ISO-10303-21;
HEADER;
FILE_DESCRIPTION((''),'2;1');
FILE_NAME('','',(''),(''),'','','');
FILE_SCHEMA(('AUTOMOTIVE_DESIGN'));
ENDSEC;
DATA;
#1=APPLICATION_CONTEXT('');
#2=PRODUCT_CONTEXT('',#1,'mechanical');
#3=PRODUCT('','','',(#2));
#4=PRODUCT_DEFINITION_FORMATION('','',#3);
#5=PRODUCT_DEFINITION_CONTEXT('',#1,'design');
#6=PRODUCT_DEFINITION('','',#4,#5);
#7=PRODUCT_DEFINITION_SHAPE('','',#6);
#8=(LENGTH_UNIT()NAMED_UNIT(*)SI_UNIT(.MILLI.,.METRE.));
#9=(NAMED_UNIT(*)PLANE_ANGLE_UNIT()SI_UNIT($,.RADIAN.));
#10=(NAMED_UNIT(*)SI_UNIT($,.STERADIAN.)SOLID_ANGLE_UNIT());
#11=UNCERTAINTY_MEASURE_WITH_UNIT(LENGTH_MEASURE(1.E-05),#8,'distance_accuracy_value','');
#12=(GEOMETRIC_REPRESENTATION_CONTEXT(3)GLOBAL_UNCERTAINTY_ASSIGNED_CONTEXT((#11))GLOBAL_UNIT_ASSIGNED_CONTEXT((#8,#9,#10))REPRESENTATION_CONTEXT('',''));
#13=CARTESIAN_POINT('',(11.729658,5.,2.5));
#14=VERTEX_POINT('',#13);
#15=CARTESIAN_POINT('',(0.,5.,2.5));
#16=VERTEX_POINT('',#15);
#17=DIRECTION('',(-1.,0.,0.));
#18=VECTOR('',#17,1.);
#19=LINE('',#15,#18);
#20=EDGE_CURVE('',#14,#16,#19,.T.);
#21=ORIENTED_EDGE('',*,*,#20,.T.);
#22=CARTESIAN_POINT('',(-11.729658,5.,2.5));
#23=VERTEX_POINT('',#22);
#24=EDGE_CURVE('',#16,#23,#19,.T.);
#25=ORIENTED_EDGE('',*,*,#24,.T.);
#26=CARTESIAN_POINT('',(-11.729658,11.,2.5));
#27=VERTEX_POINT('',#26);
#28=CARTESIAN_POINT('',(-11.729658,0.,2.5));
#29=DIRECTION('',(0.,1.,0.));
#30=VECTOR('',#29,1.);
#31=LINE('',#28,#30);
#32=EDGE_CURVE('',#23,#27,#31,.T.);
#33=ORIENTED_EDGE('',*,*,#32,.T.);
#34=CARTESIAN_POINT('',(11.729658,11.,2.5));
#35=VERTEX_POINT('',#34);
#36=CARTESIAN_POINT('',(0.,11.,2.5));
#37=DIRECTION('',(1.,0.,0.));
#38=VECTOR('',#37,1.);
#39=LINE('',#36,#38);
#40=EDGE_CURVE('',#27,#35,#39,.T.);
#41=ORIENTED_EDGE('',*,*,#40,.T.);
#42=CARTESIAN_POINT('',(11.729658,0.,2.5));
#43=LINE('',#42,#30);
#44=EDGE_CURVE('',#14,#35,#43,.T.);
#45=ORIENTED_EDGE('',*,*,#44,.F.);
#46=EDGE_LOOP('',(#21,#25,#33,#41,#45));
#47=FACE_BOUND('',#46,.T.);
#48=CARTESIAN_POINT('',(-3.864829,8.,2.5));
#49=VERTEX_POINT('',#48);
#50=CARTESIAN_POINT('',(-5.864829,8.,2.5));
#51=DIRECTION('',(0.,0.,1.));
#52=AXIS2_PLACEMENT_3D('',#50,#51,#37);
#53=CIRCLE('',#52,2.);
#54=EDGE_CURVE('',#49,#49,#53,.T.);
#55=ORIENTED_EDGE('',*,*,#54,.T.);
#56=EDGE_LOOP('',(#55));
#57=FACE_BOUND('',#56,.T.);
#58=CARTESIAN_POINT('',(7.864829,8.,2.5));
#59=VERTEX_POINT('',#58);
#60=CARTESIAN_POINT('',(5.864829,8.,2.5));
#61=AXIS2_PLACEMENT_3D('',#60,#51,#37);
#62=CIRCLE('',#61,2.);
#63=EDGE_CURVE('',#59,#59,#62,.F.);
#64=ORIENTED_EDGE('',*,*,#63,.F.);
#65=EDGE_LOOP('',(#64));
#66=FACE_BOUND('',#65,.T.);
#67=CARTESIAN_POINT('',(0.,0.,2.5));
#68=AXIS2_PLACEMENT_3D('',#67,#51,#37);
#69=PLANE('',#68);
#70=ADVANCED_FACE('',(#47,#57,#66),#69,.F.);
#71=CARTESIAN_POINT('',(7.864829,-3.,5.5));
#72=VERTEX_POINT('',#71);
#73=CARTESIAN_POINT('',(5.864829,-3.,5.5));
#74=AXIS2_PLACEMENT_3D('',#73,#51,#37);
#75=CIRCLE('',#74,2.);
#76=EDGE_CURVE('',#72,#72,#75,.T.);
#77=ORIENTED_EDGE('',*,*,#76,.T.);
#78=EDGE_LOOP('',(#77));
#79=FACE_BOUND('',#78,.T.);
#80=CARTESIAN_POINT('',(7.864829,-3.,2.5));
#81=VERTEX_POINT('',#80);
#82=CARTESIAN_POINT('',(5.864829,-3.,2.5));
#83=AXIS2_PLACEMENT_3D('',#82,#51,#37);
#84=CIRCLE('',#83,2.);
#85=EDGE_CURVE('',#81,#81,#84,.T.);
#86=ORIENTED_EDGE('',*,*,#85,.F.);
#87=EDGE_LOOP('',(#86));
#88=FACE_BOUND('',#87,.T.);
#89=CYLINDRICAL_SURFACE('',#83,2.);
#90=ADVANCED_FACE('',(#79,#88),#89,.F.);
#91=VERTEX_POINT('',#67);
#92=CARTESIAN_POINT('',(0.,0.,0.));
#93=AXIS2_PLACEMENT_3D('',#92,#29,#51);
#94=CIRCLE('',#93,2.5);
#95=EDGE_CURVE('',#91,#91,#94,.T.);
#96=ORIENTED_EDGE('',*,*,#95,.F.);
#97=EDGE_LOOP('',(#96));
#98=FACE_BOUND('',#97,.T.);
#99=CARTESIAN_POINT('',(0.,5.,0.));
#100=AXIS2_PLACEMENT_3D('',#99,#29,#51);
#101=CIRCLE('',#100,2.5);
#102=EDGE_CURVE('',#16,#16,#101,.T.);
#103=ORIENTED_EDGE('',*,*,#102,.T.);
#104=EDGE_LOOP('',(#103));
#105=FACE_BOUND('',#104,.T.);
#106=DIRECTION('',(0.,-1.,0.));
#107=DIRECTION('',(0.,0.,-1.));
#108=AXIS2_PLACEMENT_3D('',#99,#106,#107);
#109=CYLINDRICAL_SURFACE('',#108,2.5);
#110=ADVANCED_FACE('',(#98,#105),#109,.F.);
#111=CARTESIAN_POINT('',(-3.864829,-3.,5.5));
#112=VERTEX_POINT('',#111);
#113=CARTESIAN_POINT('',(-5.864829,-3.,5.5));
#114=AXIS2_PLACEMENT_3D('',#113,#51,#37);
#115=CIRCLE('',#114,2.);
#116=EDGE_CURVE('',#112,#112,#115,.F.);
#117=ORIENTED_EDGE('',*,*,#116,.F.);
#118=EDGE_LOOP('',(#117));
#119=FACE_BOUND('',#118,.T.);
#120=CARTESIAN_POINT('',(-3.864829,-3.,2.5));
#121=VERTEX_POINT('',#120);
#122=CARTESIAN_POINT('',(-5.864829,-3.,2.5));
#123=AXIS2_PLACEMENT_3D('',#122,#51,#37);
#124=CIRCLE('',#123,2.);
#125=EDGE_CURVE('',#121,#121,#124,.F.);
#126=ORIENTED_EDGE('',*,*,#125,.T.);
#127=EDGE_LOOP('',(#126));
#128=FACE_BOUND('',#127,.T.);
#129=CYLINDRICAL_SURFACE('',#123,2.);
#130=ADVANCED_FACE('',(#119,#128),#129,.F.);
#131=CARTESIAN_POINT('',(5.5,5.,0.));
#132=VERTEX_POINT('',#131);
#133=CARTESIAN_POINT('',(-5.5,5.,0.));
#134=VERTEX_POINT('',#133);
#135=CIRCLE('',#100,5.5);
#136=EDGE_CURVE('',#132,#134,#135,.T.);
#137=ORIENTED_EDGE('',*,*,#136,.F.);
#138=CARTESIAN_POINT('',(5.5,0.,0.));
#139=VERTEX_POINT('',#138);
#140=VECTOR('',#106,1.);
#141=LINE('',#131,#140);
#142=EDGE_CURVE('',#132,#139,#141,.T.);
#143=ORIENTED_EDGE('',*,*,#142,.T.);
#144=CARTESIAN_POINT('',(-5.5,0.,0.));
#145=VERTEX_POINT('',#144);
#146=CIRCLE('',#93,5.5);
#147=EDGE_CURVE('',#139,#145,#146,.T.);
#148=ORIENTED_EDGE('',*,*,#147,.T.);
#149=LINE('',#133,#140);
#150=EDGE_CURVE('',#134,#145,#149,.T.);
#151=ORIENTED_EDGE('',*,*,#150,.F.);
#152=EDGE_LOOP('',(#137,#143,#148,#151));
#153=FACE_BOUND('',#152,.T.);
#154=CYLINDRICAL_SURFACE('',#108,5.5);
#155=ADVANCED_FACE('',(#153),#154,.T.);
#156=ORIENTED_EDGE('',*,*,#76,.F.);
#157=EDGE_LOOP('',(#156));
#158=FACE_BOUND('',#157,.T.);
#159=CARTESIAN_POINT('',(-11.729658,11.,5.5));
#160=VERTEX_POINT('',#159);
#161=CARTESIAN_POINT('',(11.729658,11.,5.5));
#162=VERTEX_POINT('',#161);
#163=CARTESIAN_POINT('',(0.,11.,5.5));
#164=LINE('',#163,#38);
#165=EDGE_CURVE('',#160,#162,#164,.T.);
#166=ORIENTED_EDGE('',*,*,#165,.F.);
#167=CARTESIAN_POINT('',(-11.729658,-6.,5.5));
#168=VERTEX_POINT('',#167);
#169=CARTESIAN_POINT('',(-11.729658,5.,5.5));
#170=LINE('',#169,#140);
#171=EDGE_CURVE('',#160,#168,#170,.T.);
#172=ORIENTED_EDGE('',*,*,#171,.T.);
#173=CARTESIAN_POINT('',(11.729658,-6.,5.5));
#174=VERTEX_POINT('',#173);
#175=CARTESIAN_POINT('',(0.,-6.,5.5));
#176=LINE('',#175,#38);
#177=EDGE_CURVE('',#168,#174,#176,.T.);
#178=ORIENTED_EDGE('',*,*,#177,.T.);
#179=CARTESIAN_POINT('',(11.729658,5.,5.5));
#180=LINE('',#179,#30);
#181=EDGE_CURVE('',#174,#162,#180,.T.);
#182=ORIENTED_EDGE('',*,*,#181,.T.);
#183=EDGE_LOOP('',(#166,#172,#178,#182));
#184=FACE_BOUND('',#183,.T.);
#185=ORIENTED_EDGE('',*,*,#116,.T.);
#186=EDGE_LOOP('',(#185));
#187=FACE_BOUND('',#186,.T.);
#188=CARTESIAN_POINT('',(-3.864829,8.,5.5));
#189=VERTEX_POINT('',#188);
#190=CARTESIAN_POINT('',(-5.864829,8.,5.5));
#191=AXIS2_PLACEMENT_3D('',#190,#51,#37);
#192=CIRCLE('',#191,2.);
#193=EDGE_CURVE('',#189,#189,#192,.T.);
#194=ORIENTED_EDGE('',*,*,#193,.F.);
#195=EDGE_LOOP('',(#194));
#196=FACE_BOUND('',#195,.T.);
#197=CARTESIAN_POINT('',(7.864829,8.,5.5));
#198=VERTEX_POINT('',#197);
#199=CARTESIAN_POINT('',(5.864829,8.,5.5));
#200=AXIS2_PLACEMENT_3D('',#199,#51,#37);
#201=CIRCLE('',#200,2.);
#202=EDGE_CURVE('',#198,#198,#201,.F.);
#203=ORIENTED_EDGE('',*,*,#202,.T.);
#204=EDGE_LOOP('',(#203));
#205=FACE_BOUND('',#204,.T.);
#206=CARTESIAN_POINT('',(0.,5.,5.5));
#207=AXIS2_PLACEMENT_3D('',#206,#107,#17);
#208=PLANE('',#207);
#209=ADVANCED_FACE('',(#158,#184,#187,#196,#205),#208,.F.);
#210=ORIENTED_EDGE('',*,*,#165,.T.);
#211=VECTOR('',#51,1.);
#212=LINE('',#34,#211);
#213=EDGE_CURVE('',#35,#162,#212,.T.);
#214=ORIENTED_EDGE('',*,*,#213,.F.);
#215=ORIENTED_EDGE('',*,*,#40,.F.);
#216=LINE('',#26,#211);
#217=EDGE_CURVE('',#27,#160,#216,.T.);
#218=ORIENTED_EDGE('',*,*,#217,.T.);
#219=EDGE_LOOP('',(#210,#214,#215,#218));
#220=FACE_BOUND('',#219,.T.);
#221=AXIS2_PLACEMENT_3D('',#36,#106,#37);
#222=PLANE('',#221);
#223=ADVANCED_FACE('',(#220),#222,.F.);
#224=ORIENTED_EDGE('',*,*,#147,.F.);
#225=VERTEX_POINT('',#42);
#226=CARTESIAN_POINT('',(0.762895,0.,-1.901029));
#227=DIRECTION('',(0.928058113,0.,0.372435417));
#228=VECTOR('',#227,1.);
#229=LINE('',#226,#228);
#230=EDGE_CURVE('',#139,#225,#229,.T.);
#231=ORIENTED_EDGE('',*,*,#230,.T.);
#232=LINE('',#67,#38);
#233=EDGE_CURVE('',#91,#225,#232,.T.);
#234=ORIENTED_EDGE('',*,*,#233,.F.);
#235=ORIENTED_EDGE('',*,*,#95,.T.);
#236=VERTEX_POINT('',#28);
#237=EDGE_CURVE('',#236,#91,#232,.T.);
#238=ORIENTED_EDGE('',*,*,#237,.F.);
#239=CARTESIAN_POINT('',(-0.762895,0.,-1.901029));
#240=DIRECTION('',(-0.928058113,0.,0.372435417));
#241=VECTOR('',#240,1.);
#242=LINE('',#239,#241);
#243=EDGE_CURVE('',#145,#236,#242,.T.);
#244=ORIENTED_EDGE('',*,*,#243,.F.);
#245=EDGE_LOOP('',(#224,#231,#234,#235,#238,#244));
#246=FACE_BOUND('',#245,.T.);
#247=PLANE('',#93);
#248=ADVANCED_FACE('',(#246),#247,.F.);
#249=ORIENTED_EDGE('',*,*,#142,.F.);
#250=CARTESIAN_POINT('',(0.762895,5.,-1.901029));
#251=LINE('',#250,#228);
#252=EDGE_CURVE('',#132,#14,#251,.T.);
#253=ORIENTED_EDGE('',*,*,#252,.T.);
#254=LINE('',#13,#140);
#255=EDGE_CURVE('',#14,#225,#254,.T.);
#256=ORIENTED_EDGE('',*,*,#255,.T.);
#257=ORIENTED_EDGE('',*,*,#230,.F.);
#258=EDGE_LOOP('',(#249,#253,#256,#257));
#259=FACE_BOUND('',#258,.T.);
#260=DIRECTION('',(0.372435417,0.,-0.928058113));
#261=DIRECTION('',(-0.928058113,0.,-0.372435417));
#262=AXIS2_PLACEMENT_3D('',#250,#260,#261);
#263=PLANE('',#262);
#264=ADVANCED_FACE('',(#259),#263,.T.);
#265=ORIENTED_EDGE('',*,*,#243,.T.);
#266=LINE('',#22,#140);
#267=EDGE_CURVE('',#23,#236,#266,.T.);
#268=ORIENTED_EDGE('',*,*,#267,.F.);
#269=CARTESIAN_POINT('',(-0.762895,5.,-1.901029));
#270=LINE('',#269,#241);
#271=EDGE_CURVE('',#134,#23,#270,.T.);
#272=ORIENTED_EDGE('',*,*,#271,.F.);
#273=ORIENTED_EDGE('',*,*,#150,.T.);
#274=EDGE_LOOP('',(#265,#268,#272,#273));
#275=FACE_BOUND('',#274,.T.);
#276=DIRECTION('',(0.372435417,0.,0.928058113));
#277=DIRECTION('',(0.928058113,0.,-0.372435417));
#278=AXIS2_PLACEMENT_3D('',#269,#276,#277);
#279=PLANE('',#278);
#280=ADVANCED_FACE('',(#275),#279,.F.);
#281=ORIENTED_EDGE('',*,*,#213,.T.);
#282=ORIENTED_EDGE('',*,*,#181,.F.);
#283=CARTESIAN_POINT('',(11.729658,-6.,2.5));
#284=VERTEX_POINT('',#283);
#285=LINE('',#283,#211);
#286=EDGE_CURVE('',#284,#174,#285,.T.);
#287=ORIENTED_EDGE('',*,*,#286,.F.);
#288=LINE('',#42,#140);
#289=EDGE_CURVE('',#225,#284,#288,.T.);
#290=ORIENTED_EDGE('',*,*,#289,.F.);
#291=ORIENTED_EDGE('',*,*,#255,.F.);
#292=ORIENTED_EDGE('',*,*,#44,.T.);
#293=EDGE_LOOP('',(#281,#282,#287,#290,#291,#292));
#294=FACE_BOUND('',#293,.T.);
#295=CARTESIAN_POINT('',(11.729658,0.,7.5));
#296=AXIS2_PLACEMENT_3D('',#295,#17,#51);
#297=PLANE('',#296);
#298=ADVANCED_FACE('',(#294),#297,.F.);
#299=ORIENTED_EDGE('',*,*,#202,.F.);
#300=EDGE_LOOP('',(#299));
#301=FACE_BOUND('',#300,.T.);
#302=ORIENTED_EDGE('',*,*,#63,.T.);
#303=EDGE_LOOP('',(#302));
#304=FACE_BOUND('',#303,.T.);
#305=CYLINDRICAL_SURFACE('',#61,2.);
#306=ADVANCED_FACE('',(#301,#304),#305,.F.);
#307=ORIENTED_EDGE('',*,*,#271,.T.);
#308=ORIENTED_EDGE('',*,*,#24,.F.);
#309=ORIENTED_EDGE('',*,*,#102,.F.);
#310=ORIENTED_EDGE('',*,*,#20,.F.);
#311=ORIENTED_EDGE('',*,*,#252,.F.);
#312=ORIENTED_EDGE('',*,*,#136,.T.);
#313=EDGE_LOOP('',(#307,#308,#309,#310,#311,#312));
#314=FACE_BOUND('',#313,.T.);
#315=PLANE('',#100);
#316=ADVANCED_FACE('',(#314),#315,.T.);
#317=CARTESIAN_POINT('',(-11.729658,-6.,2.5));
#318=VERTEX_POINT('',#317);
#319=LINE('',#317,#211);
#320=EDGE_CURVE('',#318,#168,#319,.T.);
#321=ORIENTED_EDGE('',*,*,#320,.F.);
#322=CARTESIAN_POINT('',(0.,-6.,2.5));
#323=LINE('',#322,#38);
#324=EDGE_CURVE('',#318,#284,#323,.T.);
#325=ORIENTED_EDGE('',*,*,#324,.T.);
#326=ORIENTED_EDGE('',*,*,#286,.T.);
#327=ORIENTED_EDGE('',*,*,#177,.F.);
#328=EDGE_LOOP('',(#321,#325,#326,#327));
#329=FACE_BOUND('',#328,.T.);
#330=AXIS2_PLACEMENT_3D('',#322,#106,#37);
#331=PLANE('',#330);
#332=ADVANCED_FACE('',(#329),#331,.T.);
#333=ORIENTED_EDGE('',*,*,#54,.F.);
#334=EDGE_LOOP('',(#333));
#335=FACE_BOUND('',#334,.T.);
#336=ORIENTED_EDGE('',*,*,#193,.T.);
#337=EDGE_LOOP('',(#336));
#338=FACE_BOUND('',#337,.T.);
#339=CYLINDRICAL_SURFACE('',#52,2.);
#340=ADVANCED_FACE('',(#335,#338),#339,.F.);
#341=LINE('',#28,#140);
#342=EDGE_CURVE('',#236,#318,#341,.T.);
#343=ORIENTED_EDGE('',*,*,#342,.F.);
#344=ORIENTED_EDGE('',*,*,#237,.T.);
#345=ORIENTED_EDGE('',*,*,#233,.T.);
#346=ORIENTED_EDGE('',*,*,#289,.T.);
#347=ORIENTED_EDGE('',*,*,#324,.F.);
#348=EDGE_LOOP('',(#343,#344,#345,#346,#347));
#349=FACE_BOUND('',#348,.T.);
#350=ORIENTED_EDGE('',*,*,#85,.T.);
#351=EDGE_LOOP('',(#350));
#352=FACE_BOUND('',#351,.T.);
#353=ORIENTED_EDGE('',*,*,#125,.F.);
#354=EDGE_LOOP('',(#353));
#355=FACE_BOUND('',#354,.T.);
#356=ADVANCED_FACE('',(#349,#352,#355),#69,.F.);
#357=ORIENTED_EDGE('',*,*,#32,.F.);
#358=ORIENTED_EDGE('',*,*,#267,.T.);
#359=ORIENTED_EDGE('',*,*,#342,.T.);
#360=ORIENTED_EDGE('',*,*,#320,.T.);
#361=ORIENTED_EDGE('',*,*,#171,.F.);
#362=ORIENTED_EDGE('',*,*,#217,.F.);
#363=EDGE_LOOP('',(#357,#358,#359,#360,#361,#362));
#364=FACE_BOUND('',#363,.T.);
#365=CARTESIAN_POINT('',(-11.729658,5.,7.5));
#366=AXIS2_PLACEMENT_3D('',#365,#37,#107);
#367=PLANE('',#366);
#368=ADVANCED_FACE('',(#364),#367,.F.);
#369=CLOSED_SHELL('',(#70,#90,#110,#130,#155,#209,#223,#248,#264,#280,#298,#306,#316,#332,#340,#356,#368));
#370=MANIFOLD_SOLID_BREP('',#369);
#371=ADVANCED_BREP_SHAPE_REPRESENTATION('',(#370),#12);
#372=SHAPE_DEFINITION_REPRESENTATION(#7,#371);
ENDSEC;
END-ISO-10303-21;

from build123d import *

# Parameters (mm, degrees)
BOSS_EXTRUDE1_DEPTH = 5
SKETCH2_R           = 2
CUT_EXTRUDE1_DEPTH  = 5
SKETCH5_W           = 10
SKETCH5_H           = 5
CUT_EXTRUDE2_DEPTH  = 5
SKETCH6_R           = 2
BOSS_EXTRUDE4_DEPTH = 3


with BuildPart() as part:
    # Sketch1 → Boss-Extrude1 (new body)
    # profile 1 of 9: a face of its own
    with BuildSketch(Plane(origin=(0, 0, 0), x_dir=(1, 0, 0), z_dir=(0, 1, 0))):
        with BuildLine():
            ThreePointArc((4.898979486, -2.5), (5.347634392, -1.285615189), (5.5, 0))
            ThreePointArc((5.5, 0), (0, 5.5), (-5.5, 0))
            ThreePointArc((-5.5, 0), (-5.347634392, -1.285615189), (-4.898979486, -2.5))
            Line((-4.898979486, -2.5), (0, -2.5))
            Line((0, -2.5), (4.898979486, -2.5))
        make_face()
        with BuildLine():
            ThreePointArc((2.5, 0), (1.767766953, -1.767766953), (0, -2.5))
            ThreePointArc((0, -2.5), (-1.767766953, 1.767766953), (2.5, 0))
        make_face(mode=Mode.SUBTRACT)
    # profile 2 of 9: a face of its own
    with BuildSketch(Plane(origin=(0, 0, 0), x_dir=(1, 0, 0), z_dir=(0, 1, 0))):
        with BuildLine():
            ThreePointArc((0, -5.5), (2.872281323, -4.69041576), (4.898979486, -2.5))
            Line((4.898979486, -2.5), (0, -2.5))
            Line((0, -2.5), (0, -5.5))
        make_face()
    # profile 3 of 9: a face of its own
    with BuildSketch(Plane(origin=(0, 0, 0), x_dir=(1, 0, 0), z_dir=(0, 1, 0))):
        with BuildLine():
            Line((0, -2.5), (-4.898979486, -2.5))
            ThreePointArc((-4.898979486, -2.5), (-2.872281323, -4.69041576), (0, -5.5))
            Line((0, -5.5), (0, -2.5))
        make_face()
    # profile 4 of 9: a face of its own
    with BuildSketch(Plane(origin=(0, 0, 0), x_dir=(1, 0, 0), z_dir=(0, 1, 0))):
        with BuildLine():
            Line((25.742031851, -2.5), (11.729658022, -2.5))
            Line((11.729658022, -2.5), (4.898979486, -2.5))
            ThreePointArc((4.898979486, -2.5), (2.872281323, -4.69041576), (0, -5.5))
            Line((0, -5.5), (25.742031851, -5.5))
            Line((25.742031851, -5.5), (25.742031851, -2.5))
        make_face()
    # profile 5 of 9: a face of its own
    with BuildSketch(Plane(origin=(0, 0, 0), x_dir=(1, 0, 0), z_dir=(0, 1, 0))):
        with BuildLine():
            Line((11.729658022, -2.5), (5.5, 0))
            ThreePointArc((5.5, 0), (5.347634392, -1.285615189), (4.898979486, -2.5))
            Line((4.898979486, -2.5), (11.729658022, -2.5))
        make_face()
    # profile 6 of 9: a face of its own
    with BuildSketch(Plane(origin=(0, 0, 0), x_dir=(1, 0, 0), z_dir=(0, 1, 0))):
        with BuildLine():
            ThreePointArc((0, -5.5), (2.872281323, -4.69041576), (4.898979486, -2.5))
            Line((4.898979486, -2.5), (0, -2.5))
            Line((0, -2.5), (0, -5.5))
        make_face()
    # profile 7 of 9: a face of its own
    with BuildSketch(Plane(origin=(0, 0, 0), x_dir=(1, 0, 0), z_dir=(0, 1, 0))):
        with BuildLine():
            Line((0, -2.5), (-4.898979486, -2.5))
            ThreePointArc((-4.898979486, -2.5), (-2.872281323, -4.69041576), (0, -5.5))
            Line((0, -5.5), (0, -2.5))
        make_face()
    # profile 8 of 9: a face of its own
    with BuildSketch(Plane(origin=(0, 0, 0), x_dir=(1, 0, 0), z_dir=(0, 1, 0))):
        with BuildLine():
            ThreePointArc((-4.898979486, -2.5), (-5.347634392, -1.285615189), (-5.5, 0))
            Line((-5.5, 0), (-11.729658022, -2.5))
            Line((-11.729658022, -2.5), (-4.898979486, -2.5))
        make_face()
    # profile 9 of 9: a face of its own
    with BuildSketch(Plane(origin=(0, 0, 0), x_dir=(1, 0, 0), z_dir=(0, 1, 0))):
        with BuildLine():
            Line((-4.898979486, -2.5), (-11.729658022, -2.5))
            Line((-11.729658022, -2.5), (-25.742031851, -2.5))
            Line((-25.742031851, -2.5), (-25.742031851, -5.5))
            Line((-25.742031851, -5.5), (0, -5.5))
            ThreePointArc((0, -5.5), (-2.872281323, -4.69041576), (-4.898979486, -2.5))
        make_face()
    extrude(amount=BOSS_EXTRUDE1_DEPTH)

    # Sketch2 → Cut-Extrude1 (cut)
    with BuildSketch(Plane(origin=(0, 0, 2.5), x_dir=(-1, 0, 0), z_dir=(0, 0, -1))):
        Polygon((-25.742031851, 0), (-21.729658022, 0), (-21.729658022, 2.5), (-21.729658022, 5), (-25.742031851, 5), align=None)
        Polygon((21.729658022, 2.5), (21.729658022, 0), (25.742031851, 0), (25.742031851, 5), (21.729658022, 5), align=None)
        with Locations((16.729658022, 2.5)):
            Circle(SKETCH2_R)
        with Locations((-16.729658022, 2.5)):
            Circle(SKETCH2_R)
    extrude(amount=-CUT_EXTRUDE1_DEPTH, mode=Mode.SUBTRACT)

    # Sketch5 → Cut-Extrude2 (cut)
    with BuildSketch(Plane(origin=(0, 0, 2.5), x_dir=(-1, 0, 0), z_dir=(0, 0, -1))):
        with Locations((-16.729658022, 2.5)):
            Rectangle(SKETCH5_W, SKETCH5_H)
        with Locations((16.729658022, 2.5)):
            Rectangle(SKETCH5_W, SKETCH5_H)
    extrude(amount=-CUT_EXTRUDE2_DEPTH, mode=Mode.SUBTRACT)

    # Sketch6 → Boss-Extrude4 (add)
    # profile 1 of 6: a face of its own
    with BuildSketch(Plane.XY.offset(5.5)):
        Polygon((11.729658022, 11), (0, 11), (0, 8), (0, 5), (11.729658022, 5), align=None)
        with Locations((5.864829011, 8)):
            Circle(SKETCH6_R, mode=Mode.SUBTRACT)
    # profile 2 of 6: a face of its own
    with BuildSketch(Plane.XY.offset(5.5)):
        Polygon((0, 0), (0, -3), (0, -6), (11.729658022, -6), (11.729658022, 0), align=None)
        with Locations((5.864829011, -3)):
            Circle(SKETCH6_R, mode=Mode.SUBTRACT)
    # profile 3 of 6: a face of its own
    with BuildSketch(Plane.XY.offset(5.5)):
        with BuildLine():
            Line((0, 5), (0, 8))
            Line((0, 8), (-3.864829011, 8))
            ThreePointArc((-3.864829011, 8), (-5.864829011, 6), (-7.864829011, 8))
            Line((-7.864829011, 8), (-11.729658022, 8))
            Line((-11.729658022, 8), (-11.729658022, 5))
            Line((-11.729658022, 5), (0, 5))
        make_face()
    # profile 4 of 6: a face of its own
    with BuildSketch(Plane.XY.offset(5.5)):
        with BuildLine():
            Line((0, 8), (0, 11))
            Line((0, 11), (-11.729658022, 11))
            Line((-11.729658022, 11), (-11.729658022, 8))
            Line((-11.729658022, 8), (-7.864829011, 8))
            ThreePointArc((-7.864829011, 8), (-5.864829011, 10), (-3.864829011, 8))
            Line((-3.864829011, 8), (0, 8))
        make_face()
    # profile 5 of 6: a face of its own
    with BuildSketch(Plane.XY.offset(5.5)):
        with BuildLine():
            ThreePointArc((-7.864829011, -3), (-5.864829011, -1), (-3.864829011, -3))
            Line((-3.864829011, -3), (0, -3))
            Line((0, -3), (0, 0))
            Line((0, 0), (-11.729658022, 0))
            Line((-11.729658022, 0), (-11.729658022, -3))
            Line((-11.729658022, -3), (-7.864829011, -3))
        make_face()
    # profile 6 of 6: a face of its own
    with BuildSketch(Plane.XY.offset(5.5)):
        with BuildLine():
            Line((0, -3), (-3.864829011, -3))
            ThreePointArc((-3.864829011, -3), (-5.864829011, -5), (-7.864829011, -3))
            Line((-7.864829011, -3), (-11.729658022, -3))
            Line((-11.729658022, -3), (-11.729658022, -6))
            Line((-11.729658022, -6), (0, -6))
            Line((0, -6), (0, -3))
        make_face()
    extrude(amount=-BOSS_EXTRUDE4_DEPTH)


solid = part.part
